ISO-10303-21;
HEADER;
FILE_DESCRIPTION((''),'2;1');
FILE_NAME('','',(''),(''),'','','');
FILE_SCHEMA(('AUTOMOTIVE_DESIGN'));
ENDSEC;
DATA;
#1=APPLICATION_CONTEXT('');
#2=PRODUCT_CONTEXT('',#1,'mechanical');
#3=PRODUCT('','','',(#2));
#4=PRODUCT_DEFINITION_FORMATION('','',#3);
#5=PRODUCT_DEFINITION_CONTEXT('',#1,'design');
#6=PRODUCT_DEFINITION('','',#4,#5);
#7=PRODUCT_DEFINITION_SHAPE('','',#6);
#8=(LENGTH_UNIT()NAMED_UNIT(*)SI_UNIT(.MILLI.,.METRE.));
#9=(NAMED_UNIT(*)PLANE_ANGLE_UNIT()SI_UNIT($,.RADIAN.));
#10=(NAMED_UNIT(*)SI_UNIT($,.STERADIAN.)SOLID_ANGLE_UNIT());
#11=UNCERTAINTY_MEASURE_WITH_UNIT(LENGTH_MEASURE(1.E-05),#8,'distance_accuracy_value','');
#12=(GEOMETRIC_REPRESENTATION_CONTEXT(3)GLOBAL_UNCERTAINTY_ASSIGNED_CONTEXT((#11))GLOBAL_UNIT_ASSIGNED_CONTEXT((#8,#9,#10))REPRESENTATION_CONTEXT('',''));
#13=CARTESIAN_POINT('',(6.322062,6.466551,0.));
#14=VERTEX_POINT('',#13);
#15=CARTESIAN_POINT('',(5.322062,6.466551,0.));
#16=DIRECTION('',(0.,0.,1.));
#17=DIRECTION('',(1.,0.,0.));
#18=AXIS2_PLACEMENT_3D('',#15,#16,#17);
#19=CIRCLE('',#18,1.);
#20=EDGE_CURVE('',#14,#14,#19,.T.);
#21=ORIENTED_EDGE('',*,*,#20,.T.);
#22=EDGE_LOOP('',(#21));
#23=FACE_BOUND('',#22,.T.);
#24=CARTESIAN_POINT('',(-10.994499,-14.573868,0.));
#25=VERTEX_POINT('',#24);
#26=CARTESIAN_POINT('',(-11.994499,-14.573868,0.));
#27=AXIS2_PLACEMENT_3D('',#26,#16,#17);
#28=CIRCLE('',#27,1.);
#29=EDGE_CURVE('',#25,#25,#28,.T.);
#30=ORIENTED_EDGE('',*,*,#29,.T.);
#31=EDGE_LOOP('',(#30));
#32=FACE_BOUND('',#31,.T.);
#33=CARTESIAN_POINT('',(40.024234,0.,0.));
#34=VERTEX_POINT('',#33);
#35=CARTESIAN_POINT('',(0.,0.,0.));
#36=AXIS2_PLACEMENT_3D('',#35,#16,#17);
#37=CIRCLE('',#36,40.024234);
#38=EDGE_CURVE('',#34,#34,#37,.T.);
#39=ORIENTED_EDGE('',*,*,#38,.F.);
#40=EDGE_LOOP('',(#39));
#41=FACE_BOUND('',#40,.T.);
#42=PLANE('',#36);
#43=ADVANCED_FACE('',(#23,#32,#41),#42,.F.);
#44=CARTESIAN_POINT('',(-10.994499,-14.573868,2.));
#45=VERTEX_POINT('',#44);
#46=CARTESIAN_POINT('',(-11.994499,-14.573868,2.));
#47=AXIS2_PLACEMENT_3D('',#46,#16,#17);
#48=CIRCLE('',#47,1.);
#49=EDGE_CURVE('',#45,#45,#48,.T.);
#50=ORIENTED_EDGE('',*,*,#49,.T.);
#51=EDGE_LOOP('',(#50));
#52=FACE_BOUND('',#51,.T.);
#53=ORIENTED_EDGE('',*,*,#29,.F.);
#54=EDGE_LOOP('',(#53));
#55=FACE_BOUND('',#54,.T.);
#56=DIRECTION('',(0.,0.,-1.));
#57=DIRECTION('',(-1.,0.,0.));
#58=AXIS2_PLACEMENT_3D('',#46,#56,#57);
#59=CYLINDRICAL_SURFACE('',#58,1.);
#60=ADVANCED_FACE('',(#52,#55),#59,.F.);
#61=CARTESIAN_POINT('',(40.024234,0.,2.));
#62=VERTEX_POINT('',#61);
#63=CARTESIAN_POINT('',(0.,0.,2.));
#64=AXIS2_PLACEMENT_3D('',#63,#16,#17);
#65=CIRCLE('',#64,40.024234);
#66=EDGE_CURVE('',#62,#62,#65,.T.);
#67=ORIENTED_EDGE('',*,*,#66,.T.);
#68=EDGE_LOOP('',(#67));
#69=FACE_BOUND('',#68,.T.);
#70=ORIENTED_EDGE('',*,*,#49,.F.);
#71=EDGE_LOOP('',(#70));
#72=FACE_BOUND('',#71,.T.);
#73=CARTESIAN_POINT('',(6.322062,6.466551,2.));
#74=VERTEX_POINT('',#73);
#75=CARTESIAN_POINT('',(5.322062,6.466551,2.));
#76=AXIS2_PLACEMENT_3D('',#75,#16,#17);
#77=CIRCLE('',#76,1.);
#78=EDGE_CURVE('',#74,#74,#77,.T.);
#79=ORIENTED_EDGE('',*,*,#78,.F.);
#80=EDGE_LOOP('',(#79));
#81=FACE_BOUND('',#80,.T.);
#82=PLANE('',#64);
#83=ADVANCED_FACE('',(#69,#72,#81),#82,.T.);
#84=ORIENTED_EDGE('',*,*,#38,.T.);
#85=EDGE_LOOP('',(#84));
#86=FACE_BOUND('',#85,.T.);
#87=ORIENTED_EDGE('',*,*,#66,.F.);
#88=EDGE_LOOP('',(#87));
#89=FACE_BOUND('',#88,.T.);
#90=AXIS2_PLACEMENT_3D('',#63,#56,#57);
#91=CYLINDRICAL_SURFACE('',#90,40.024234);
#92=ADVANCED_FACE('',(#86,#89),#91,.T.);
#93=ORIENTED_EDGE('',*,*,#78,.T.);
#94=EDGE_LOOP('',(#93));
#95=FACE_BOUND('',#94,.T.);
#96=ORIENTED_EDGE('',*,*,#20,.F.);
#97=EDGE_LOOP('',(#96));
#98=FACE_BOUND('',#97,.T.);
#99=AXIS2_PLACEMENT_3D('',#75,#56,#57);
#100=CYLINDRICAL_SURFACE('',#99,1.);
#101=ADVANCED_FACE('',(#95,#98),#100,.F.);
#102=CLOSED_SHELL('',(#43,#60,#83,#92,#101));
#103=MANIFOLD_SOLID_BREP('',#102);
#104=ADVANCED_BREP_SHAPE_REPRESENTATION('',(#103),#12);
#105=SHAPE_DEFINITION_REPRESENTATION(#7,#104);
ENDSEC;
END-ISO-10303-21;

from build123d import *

# Parameters (mm, degrees)
SKETCH1_R           = 40.024233707
SKETCH1_R_2         = 1
BOSS_EXTRUDE1_DEPTH = 2


with BuildPart() as part:
    # Sketch1 → Boss-Extrude1 (new body)
    with BuildSketch(Plane.XY):
        Circle(SKETCH1_R)
        with Locations((5.322062489, 6.466550538)):
            Circle(SKETCH1_R_2, mode=Mode.SUBTRACT)
        with Locations((-11.994499043, -14.57386763)):
            Circle(SKETCH1_R_2, mode=Mode.SUBTRACT)
    extrude(amount=BOSS_EXTRUDE1_DEPTH)


solid = part.part
